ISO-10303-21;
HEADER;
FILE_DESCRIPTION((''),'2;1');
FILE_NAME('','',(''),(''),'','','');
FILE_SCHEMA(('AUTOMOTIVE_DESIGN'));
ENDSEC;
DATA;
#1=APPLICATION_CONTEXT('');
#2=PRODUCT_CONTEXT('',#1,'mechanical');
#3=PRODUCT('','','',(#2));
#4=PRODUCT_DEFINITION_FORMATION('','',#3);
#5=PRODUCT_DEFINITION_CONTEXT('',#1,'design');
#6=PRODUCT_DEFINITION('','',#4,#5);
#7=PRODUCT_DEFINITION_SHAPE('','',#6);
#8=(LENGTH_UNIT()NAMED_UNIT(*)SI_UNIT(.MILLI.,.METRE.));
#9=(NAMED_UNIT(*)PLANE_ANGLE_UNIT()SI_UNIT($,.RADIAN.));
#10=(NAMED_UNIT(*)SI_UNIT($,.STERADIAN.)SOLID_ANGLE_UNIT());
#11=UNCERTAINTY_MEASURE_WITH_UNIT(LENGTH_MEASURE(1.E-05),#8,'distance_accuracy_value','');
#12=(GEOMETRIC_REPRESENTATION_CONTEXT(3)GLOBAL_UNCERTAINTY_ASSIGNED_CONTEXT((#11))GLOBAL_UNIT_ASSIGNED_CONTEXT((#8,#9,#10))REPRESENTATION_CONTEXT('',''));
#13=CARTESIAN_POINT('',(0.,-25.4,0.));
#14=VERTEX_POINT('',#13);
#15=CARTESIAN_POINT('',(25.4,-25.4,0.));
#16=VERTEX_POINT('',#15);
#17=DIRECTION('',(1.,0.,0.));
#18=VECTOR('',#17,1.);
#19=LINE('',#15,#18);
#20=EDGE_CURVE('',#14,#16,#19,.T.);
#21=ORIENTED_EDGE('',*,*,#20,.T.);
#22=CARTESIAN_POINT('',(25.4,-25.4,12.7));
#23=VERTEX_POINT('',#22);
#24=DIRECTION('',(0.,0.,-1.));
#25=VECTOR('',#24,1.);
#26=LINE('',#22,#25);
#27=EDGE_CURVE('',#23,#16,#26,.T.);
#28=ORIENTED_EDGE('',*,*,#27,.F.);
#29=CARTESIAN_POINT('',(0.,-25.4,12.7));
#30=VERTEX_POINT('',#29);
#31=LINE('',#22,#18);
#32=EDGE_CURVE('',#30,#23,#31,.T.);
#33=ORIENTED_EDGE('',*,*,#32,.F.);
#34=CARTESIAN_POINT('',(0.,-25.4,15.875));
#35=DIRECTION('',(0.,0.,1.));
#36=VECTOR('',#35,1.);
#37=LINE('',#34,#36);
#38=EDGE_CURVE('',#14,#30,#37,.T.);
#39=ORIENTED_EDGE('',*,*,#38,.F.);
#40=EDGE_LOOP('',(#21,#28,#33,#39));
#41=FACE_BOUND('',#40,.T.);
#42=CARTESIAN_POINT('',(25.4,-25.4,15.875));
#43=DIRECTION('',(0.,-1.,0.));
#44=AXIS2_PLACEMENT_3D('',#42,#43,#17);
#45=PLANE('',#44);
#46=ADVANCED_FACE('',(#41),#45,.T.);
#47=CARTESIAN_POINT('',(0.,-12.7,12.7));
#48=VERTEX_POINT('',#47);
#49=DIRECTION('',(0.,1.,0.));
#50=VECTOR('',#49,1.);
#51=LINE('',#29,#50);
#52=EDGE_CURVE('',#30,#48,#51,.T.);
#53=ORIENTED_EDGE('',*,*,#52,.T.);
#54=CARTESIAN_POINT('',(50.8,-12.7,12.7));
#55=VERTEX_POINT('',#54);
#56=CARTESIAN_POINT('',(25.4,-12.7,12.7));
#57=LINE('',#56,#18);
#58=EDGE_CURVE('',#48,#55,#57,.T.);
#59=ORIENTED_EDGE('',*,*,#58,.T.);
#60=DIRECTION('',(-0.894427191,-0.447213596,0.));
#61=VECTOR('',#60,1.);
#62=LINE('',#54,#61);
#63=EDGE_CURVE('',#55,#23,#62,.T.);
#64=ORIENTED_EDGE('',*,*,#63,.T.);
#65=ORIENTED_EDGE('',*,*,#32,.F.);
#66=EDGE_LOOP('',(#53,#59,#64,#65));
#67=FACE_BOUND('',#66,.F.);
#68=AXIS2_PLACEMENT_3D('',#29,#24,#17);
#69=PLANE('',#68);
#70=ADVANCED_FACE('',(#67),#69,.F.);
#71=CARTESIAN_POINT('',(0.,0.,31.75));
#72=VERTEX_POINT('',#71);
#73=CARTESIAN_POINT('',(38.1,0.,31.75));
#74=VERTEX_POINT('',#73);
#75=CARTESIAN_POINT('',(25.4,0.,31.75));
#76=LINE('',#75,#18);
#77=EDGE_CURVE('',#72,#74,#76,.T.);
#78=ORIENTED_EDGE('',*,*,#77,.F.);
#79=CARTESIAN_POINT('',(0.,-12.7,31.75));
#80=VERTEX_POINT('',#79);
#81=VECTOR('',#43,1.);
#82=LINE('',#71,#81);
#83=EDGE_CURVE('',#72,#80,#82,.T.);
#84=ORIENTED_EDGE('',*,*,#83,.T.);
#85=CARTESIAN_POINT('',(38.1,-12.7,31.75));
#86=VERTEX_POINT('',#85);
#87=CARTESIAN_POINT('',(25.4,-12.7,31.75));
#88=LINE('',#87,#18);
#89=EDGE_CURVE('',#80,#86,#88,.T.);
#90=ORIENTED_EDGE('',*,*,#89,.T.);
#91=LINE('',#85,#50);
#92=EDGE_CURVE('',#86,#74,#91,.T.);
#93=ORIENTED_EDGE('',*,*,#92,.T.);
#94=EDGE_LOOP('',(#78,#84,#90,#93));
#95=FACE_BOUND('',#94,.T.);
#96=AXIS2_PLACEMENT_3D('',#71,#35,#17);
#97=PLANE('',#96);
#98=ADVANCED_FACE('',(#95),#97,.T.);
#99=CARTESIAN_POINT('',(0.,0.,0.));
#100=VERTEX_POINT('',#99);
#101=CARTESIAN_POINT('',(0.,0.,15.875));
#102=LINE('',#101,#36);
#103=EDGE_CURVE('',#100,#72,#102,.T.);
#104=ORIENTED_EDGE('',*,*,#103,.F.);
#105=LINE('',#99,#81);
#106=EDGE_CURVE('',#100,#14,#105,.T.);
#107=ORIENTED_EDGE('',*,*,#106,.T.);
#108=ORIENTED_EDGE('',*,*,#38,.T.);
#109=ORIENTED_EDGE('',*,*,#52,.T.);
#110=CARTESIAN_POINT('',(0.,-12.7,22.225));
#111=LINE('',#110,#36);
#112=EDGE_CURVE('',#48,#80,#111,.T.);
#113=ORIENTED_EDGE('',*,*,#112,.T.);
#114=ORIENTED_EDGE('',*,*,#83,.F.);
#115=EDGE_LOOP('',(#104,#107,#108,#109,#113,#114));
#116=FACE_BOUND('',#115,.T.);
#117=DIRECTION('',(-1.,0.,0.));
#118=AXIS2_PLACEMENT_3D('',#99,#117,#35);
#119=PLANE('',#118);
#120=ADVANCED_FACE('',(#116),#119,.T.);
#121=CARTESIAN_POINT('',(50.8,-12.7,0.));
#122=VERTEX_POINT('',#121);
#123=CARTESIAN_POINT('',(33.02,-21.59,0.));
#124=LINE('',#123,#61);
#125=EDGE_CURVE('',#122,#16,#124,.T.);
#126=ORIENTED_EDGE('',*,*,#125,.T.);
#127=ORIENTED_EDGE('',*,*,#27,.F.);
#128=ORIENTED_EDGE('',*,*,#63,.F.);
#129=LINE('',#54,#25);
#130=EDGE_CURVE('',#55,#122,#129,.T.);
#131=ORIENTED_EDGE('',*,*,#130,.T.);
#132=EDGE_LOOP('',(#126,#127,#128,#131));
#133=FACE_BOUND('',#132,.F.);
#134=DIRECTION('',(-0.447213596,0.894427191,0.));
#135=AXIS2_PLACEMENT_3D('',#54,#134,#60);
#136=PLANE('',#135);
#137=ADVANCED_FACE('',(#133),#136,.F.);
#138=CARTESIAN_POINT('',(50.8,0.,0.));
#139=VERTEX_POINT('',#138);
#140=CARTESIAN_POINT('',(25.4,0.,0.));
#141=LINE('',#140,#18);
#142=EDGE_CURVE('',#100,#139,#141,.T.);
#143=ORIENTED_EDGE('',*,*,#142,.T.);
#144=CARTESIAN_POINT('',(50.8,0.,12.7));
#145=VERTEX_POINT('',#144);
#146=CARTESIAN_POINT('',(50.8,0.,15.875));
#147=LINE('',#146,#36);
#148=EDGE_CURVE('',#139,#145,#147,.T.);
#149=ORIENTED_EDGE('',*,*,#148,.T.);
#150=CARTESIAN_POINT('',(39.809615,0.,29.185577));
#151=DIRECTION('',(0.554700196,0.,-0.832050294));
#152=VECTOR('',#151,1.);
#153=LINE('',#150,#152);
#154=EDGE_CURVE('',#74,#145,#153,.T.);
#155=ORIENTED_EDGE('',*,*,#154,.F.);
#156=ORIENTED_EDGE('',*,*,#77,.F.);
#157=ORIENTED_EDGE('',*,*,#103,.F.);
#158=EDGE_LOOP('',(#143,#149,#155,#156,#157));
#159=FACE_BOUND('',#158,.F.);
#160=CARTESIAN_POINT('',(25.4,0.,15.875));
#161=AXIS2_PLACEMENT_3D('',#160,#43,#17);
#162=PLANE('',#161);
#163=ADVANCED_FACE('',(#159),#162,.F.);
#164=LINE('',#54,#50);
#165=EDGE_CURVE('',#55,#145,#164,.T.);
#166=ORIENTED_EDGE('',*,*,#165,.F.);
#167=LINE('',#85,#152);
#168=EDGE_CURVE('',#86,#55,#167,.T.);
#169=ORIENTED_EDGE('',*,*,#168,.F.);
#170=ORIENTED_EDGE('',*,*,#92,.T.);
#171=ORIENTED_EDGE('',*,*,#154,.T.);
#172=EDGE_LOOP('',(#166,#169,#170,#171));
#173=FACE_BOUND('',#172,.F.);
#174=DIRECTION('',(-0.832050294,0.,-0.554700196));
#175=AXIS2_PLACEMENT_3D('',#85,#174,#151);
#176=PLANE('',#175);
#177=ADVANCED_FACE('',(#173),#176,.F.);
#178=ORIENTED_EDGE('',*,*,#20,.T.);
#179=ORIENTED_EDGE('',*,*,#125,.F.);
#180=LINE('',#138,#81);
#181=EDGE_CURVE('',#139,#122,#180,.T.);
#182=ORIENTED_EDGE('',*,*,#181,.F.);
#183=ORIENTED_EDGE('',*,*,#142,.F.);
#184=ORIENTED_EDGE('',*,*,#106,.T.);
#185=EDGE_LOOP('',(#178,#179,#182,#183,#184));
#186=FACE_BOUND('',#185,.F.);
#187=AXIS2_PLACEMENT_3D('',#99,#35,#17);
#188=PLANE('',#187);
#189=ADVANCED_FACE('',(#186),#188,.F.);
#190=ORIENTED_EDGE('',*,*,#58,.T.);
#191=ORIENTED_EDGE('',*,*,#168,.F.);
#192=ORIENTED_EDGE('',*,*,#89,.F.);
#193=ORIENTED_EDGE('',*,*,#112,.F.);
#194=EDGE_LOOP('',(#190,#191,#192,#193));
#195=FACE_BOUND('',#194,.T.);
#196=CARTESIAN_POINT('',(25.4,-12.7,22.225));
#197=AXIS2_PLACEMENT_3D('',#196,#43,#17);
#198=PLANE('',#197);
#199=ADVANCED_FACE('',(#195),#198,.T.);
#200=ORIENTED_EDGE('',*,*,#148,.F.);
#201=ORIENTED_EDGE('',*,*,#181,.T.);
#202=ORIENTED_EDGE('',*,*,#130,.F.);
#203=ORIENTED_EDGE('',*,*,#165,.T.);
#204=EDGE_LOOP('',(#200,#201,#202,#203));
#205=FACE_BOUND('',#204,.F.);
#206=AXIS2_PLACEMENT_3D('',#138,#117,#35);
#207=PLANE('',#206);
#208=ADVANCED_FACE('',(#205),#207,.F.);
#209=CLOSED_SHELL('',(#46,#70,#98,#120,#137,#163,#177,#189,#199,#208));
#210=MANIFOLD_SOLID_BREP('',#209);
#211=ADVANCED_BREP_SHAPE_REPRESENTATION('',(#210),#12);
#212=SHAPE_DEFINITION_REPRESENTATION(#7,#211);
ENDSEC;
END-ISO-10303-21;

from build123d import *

# Parameters (mm, degrees)
F0_W     = 50.8
F0_H     = 31.75
F1_DEPTH = 25.4
F2_W     = 50.8
F2_H     = 19.05
F3_DEPTH = 12.7
F5_DEPTH = 25.4
F7_DEPTH = 25.4


with BuildPart() as f1:
    # F0 (on Front) → F1 (new body)
    with BuildSketch(Plane.XZ):
        with Locations((25.4, 15.875)):
            Rectangle(F0_W, F0_H)
    extrude(amount=F1_DEPTH)

    # F2 (on face) → F3 (cut)
    with BuildSketch(Plane.XZ.offset(25.4)):
        with Locations((25.4, 22.225)):
            Rectangle(F2_W, F2_H)
    extrude(amount=-F3_DEPTH, mode=Mode.SUBTRACT)

    # F4 (on face) → F5 (cut)
    with BuildSketch(Plane.XY.offset(12.7)):
        Polygon((50.8, -25.4), (50.8, -12.7), (25.4, -25.4), align=None)
    extrude(amount=-F5_DEPTH, mode=Mode.SUBTRACT)

    # F6 (on face) → F7 (cut)
    with BuildSketch(Plane.XZ.offset(12.7)):
        Polygon((38.1, 31.75), (50.8, 12.7), (50.8, 31.75), align=None)
    extrude(amount=-F7_DEPTH, mode=Mode.SUBTRACT)


solid = f1.part
